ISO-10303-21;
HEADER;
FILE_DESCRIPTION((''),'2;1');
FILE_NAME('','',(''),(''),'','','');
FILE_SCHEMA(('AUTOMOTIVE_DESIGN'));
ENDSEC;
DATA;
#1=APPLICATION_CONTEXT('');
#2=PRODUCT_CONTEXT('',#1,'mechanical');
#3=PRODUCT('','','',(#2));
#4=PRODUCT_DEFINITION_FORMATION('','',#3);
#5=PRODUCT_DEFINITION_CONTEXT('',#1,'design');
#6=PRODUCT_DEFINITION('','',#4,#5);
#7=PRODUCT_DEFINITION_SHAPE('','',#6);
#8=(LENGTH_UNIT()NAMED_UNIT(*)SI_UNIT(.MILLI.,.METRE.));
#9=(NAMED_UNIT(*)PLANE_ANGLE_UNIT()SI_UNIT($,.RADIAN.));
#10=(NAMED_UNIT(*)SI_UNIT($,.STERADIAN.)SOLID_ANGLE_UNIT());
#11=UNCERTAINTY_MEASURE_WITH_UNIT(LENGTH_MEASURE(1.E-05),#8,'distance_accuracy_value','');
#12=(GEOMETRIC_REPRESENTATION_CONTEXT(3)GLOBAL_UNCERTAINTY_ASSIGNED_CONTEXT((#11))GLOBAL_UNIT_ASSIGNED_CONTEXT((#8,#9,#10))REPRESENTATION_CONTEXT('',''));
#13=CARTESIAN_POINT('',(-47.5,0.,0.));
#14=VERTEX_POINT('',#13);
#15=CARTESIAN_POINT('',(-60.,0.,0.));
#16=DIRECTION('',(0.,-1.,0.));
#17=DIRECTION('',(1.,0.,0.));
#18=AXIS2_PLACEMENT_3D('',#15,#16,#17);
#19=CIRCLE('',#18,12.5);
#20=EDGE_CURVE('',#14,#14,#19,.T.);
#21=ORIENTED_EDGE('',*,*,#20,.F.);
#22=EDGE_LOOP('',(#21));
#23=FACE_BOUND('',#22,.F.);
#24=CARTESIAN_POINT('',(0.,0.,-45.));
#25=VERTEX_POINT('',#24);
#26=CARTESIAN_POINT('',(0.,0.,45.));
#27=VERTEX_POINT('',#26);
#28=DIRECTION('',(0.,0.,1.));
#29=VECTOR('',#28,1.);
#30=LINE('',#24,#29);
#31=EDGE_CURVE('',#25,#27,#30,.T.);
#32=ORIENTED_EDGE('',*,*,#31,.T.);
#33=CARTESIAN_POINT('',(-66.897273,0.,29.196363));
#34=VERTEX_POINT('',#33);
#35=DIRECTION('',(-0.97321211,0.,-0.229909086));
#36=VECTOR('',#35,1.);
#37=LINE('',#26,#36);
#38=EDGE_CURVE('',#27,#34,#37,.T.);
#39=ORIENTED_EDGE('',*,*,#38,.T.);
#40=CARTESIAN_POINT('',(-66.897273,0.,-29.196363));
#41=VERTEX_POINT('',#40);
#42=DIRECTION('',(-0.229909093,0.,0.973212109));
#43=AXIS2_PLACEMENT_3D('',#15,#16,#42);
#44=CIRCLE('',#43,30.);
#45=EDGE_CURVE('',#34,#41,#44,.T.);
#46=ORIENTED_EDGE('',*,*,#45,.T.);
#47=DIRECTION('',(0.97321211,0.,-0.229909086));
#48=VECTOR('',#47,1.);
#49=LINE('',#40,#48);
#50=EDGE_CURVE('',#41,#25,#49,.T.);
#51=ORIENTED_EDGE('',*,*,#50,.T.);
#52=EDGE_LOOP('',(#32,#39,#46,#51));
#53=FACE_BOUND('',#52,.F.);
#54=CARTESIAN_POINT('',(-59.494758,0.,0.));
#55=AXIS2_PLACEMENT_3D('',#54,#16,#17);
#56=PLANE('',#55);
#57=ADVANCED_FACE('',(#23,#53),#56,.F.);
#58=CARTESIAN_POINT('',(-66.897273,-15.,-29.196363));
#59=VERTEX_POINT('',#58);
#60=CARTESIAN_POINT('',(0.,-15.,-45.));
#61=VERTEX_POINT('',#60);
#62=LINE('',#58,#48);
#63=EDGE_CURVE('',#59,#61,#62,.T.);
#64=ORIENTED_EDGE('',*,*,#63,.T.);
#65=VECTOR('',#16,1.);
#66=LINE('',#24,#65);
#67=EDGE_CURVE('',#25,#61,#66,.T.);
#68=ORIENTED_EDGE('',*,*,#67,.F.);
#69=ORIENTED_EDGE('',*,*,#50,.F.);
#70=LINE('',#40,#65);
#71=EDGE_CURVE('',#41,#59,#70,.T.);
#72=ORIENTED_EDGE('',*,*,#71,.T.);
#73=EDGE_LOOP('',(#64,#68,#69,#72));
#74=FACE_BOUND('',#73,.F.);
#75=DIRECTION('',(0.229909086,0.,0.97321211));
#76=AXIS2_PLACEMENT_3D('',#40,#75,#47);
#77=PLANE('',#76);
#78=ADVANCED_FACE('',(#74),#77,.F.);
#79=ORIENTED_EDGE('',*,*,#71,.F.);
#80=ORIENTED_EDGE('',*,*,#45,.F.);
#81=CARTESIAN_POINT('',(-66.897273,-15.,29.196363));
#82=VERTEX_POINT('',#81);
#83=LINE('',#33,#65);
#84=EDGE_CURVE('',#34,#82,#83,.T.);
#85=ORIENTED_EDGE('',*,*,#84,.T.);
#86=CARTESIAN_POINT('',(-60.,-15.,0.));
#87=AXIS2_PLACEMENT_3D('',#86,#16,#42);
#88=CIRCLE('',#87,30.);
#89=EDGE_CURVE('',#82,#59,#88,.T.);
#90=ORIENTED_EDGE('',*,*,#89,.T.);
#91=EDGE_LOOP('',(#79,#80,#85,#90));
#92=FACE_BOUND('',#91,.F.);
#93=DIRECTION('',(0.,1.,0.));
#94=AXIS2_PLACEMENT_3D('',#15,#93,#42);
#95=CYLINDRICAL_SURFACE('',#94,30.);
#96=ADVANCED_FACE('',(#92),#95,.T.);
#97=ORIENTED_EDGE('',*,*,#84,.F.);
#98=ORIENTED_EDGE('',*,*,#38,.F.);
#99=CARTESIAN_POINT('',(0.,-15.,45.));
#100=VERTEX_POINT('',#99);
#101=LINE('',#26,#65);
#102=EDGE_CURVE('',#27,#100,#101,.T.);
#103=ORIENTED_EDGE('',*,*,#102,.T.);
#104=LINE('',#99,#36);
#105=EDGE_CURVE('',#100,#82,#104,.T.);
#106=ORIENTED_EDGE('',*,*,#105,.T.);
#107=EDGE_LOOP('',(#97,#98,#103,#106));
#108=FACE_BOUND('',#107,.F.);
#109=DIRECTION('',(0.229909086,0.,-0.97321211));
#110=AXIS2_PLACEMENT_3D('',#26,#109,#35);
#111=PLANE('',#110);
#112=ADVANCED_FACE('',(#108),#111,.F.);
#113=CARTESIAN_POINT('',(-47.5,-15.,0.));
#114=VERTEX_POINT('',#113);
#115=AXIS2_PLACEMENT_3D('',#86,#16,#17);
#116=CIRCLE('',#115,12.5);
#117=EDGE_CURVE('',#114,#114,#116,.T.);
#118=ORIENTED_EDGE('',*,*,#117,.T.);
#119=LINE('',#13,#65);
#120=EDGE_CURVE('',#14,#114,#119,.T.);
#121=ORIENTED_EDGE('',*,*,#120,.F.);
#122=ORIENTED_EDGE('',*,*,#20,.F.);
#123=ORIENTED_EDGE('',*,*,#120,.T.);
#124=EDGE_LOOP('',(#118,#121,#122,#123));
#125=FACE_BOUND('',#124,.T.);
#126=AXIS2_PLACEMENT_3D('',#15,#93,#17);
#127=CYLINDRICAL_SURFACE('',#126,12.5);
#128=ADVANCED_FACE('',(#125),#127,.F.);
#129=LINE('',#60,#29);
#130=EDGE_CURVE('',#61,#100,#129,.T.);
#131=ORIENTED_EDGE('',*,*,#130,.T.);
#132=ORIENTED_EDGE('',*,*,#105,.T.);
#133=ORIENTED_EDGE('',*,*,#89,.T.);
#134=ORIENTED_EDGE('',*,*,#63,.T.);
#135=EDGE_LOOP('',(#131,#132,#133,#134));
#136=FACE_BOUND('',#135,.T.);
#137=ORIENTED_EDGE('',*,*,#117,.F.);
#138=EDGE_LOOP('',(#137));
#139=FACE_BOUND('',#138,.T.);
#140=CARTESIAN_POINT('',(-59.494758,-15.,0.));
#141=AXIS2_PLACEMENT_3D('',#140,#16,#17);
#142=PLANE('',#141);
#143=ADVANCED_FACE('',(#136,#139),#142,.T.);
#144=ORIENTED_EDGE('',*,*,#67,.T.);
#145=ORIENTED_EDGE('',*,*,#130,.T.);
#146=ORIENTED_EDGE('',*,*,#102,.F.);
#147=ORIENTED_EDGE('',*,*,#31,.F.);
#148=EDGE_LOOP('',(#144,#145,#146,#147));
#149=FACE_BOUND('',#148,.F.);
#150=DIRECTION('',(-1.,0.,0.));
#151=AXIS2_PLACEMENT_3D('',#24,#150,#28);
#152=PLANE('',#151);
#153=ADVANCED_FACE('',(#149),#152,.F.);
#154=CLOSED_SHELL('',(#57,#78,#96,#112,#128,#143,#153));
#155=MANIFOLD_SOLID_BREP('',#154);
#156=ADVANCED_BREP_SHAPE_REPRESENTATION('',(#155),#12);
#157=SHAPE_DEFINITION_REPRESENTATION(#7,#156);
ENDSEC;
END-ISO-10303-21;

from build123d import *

# Parameters (mm, degrees)
F0_R     = 12.5
F1_DEPTH = 15


with BuildPart() as f1:
    # F0 (on Front) → F1 (new body)
    with BuildSketch(Plane.XZ):
        with BuildLine():
            ThreePointArc((-66.897273, -29.196363), (-41.384391, -23.525711), (-30, 0))
            ThreePointArc((-30, 0), (-41.384391, 23.525711), (-66.897273, 29.196363))
            ThreePointArc((-66.897273, 29.196363), (-90, 0), (-66.897273, -29.196363))
        make_face()
        with Locations((-60, 0)):
            Circle(F0_R, mode=Mode.SUBTRACT)
        with BuildLine():
            ThreePointArc((-66.897273, 29.196363), (-41.384391, 23.525711), (-30, 0))
            ThreePointArc((-30, 0), (-41.384391, -23.525711), (-66.897273, -29.196363))
            Line((-66.897273, -29.196363), (0, -45))
            Line((0, -45), (0, 45))
            Line((0, 45), (-66.897273, 29.196363))
        make_face()
    extrude(amount=F1_DEPTH)


solid = f1.part
